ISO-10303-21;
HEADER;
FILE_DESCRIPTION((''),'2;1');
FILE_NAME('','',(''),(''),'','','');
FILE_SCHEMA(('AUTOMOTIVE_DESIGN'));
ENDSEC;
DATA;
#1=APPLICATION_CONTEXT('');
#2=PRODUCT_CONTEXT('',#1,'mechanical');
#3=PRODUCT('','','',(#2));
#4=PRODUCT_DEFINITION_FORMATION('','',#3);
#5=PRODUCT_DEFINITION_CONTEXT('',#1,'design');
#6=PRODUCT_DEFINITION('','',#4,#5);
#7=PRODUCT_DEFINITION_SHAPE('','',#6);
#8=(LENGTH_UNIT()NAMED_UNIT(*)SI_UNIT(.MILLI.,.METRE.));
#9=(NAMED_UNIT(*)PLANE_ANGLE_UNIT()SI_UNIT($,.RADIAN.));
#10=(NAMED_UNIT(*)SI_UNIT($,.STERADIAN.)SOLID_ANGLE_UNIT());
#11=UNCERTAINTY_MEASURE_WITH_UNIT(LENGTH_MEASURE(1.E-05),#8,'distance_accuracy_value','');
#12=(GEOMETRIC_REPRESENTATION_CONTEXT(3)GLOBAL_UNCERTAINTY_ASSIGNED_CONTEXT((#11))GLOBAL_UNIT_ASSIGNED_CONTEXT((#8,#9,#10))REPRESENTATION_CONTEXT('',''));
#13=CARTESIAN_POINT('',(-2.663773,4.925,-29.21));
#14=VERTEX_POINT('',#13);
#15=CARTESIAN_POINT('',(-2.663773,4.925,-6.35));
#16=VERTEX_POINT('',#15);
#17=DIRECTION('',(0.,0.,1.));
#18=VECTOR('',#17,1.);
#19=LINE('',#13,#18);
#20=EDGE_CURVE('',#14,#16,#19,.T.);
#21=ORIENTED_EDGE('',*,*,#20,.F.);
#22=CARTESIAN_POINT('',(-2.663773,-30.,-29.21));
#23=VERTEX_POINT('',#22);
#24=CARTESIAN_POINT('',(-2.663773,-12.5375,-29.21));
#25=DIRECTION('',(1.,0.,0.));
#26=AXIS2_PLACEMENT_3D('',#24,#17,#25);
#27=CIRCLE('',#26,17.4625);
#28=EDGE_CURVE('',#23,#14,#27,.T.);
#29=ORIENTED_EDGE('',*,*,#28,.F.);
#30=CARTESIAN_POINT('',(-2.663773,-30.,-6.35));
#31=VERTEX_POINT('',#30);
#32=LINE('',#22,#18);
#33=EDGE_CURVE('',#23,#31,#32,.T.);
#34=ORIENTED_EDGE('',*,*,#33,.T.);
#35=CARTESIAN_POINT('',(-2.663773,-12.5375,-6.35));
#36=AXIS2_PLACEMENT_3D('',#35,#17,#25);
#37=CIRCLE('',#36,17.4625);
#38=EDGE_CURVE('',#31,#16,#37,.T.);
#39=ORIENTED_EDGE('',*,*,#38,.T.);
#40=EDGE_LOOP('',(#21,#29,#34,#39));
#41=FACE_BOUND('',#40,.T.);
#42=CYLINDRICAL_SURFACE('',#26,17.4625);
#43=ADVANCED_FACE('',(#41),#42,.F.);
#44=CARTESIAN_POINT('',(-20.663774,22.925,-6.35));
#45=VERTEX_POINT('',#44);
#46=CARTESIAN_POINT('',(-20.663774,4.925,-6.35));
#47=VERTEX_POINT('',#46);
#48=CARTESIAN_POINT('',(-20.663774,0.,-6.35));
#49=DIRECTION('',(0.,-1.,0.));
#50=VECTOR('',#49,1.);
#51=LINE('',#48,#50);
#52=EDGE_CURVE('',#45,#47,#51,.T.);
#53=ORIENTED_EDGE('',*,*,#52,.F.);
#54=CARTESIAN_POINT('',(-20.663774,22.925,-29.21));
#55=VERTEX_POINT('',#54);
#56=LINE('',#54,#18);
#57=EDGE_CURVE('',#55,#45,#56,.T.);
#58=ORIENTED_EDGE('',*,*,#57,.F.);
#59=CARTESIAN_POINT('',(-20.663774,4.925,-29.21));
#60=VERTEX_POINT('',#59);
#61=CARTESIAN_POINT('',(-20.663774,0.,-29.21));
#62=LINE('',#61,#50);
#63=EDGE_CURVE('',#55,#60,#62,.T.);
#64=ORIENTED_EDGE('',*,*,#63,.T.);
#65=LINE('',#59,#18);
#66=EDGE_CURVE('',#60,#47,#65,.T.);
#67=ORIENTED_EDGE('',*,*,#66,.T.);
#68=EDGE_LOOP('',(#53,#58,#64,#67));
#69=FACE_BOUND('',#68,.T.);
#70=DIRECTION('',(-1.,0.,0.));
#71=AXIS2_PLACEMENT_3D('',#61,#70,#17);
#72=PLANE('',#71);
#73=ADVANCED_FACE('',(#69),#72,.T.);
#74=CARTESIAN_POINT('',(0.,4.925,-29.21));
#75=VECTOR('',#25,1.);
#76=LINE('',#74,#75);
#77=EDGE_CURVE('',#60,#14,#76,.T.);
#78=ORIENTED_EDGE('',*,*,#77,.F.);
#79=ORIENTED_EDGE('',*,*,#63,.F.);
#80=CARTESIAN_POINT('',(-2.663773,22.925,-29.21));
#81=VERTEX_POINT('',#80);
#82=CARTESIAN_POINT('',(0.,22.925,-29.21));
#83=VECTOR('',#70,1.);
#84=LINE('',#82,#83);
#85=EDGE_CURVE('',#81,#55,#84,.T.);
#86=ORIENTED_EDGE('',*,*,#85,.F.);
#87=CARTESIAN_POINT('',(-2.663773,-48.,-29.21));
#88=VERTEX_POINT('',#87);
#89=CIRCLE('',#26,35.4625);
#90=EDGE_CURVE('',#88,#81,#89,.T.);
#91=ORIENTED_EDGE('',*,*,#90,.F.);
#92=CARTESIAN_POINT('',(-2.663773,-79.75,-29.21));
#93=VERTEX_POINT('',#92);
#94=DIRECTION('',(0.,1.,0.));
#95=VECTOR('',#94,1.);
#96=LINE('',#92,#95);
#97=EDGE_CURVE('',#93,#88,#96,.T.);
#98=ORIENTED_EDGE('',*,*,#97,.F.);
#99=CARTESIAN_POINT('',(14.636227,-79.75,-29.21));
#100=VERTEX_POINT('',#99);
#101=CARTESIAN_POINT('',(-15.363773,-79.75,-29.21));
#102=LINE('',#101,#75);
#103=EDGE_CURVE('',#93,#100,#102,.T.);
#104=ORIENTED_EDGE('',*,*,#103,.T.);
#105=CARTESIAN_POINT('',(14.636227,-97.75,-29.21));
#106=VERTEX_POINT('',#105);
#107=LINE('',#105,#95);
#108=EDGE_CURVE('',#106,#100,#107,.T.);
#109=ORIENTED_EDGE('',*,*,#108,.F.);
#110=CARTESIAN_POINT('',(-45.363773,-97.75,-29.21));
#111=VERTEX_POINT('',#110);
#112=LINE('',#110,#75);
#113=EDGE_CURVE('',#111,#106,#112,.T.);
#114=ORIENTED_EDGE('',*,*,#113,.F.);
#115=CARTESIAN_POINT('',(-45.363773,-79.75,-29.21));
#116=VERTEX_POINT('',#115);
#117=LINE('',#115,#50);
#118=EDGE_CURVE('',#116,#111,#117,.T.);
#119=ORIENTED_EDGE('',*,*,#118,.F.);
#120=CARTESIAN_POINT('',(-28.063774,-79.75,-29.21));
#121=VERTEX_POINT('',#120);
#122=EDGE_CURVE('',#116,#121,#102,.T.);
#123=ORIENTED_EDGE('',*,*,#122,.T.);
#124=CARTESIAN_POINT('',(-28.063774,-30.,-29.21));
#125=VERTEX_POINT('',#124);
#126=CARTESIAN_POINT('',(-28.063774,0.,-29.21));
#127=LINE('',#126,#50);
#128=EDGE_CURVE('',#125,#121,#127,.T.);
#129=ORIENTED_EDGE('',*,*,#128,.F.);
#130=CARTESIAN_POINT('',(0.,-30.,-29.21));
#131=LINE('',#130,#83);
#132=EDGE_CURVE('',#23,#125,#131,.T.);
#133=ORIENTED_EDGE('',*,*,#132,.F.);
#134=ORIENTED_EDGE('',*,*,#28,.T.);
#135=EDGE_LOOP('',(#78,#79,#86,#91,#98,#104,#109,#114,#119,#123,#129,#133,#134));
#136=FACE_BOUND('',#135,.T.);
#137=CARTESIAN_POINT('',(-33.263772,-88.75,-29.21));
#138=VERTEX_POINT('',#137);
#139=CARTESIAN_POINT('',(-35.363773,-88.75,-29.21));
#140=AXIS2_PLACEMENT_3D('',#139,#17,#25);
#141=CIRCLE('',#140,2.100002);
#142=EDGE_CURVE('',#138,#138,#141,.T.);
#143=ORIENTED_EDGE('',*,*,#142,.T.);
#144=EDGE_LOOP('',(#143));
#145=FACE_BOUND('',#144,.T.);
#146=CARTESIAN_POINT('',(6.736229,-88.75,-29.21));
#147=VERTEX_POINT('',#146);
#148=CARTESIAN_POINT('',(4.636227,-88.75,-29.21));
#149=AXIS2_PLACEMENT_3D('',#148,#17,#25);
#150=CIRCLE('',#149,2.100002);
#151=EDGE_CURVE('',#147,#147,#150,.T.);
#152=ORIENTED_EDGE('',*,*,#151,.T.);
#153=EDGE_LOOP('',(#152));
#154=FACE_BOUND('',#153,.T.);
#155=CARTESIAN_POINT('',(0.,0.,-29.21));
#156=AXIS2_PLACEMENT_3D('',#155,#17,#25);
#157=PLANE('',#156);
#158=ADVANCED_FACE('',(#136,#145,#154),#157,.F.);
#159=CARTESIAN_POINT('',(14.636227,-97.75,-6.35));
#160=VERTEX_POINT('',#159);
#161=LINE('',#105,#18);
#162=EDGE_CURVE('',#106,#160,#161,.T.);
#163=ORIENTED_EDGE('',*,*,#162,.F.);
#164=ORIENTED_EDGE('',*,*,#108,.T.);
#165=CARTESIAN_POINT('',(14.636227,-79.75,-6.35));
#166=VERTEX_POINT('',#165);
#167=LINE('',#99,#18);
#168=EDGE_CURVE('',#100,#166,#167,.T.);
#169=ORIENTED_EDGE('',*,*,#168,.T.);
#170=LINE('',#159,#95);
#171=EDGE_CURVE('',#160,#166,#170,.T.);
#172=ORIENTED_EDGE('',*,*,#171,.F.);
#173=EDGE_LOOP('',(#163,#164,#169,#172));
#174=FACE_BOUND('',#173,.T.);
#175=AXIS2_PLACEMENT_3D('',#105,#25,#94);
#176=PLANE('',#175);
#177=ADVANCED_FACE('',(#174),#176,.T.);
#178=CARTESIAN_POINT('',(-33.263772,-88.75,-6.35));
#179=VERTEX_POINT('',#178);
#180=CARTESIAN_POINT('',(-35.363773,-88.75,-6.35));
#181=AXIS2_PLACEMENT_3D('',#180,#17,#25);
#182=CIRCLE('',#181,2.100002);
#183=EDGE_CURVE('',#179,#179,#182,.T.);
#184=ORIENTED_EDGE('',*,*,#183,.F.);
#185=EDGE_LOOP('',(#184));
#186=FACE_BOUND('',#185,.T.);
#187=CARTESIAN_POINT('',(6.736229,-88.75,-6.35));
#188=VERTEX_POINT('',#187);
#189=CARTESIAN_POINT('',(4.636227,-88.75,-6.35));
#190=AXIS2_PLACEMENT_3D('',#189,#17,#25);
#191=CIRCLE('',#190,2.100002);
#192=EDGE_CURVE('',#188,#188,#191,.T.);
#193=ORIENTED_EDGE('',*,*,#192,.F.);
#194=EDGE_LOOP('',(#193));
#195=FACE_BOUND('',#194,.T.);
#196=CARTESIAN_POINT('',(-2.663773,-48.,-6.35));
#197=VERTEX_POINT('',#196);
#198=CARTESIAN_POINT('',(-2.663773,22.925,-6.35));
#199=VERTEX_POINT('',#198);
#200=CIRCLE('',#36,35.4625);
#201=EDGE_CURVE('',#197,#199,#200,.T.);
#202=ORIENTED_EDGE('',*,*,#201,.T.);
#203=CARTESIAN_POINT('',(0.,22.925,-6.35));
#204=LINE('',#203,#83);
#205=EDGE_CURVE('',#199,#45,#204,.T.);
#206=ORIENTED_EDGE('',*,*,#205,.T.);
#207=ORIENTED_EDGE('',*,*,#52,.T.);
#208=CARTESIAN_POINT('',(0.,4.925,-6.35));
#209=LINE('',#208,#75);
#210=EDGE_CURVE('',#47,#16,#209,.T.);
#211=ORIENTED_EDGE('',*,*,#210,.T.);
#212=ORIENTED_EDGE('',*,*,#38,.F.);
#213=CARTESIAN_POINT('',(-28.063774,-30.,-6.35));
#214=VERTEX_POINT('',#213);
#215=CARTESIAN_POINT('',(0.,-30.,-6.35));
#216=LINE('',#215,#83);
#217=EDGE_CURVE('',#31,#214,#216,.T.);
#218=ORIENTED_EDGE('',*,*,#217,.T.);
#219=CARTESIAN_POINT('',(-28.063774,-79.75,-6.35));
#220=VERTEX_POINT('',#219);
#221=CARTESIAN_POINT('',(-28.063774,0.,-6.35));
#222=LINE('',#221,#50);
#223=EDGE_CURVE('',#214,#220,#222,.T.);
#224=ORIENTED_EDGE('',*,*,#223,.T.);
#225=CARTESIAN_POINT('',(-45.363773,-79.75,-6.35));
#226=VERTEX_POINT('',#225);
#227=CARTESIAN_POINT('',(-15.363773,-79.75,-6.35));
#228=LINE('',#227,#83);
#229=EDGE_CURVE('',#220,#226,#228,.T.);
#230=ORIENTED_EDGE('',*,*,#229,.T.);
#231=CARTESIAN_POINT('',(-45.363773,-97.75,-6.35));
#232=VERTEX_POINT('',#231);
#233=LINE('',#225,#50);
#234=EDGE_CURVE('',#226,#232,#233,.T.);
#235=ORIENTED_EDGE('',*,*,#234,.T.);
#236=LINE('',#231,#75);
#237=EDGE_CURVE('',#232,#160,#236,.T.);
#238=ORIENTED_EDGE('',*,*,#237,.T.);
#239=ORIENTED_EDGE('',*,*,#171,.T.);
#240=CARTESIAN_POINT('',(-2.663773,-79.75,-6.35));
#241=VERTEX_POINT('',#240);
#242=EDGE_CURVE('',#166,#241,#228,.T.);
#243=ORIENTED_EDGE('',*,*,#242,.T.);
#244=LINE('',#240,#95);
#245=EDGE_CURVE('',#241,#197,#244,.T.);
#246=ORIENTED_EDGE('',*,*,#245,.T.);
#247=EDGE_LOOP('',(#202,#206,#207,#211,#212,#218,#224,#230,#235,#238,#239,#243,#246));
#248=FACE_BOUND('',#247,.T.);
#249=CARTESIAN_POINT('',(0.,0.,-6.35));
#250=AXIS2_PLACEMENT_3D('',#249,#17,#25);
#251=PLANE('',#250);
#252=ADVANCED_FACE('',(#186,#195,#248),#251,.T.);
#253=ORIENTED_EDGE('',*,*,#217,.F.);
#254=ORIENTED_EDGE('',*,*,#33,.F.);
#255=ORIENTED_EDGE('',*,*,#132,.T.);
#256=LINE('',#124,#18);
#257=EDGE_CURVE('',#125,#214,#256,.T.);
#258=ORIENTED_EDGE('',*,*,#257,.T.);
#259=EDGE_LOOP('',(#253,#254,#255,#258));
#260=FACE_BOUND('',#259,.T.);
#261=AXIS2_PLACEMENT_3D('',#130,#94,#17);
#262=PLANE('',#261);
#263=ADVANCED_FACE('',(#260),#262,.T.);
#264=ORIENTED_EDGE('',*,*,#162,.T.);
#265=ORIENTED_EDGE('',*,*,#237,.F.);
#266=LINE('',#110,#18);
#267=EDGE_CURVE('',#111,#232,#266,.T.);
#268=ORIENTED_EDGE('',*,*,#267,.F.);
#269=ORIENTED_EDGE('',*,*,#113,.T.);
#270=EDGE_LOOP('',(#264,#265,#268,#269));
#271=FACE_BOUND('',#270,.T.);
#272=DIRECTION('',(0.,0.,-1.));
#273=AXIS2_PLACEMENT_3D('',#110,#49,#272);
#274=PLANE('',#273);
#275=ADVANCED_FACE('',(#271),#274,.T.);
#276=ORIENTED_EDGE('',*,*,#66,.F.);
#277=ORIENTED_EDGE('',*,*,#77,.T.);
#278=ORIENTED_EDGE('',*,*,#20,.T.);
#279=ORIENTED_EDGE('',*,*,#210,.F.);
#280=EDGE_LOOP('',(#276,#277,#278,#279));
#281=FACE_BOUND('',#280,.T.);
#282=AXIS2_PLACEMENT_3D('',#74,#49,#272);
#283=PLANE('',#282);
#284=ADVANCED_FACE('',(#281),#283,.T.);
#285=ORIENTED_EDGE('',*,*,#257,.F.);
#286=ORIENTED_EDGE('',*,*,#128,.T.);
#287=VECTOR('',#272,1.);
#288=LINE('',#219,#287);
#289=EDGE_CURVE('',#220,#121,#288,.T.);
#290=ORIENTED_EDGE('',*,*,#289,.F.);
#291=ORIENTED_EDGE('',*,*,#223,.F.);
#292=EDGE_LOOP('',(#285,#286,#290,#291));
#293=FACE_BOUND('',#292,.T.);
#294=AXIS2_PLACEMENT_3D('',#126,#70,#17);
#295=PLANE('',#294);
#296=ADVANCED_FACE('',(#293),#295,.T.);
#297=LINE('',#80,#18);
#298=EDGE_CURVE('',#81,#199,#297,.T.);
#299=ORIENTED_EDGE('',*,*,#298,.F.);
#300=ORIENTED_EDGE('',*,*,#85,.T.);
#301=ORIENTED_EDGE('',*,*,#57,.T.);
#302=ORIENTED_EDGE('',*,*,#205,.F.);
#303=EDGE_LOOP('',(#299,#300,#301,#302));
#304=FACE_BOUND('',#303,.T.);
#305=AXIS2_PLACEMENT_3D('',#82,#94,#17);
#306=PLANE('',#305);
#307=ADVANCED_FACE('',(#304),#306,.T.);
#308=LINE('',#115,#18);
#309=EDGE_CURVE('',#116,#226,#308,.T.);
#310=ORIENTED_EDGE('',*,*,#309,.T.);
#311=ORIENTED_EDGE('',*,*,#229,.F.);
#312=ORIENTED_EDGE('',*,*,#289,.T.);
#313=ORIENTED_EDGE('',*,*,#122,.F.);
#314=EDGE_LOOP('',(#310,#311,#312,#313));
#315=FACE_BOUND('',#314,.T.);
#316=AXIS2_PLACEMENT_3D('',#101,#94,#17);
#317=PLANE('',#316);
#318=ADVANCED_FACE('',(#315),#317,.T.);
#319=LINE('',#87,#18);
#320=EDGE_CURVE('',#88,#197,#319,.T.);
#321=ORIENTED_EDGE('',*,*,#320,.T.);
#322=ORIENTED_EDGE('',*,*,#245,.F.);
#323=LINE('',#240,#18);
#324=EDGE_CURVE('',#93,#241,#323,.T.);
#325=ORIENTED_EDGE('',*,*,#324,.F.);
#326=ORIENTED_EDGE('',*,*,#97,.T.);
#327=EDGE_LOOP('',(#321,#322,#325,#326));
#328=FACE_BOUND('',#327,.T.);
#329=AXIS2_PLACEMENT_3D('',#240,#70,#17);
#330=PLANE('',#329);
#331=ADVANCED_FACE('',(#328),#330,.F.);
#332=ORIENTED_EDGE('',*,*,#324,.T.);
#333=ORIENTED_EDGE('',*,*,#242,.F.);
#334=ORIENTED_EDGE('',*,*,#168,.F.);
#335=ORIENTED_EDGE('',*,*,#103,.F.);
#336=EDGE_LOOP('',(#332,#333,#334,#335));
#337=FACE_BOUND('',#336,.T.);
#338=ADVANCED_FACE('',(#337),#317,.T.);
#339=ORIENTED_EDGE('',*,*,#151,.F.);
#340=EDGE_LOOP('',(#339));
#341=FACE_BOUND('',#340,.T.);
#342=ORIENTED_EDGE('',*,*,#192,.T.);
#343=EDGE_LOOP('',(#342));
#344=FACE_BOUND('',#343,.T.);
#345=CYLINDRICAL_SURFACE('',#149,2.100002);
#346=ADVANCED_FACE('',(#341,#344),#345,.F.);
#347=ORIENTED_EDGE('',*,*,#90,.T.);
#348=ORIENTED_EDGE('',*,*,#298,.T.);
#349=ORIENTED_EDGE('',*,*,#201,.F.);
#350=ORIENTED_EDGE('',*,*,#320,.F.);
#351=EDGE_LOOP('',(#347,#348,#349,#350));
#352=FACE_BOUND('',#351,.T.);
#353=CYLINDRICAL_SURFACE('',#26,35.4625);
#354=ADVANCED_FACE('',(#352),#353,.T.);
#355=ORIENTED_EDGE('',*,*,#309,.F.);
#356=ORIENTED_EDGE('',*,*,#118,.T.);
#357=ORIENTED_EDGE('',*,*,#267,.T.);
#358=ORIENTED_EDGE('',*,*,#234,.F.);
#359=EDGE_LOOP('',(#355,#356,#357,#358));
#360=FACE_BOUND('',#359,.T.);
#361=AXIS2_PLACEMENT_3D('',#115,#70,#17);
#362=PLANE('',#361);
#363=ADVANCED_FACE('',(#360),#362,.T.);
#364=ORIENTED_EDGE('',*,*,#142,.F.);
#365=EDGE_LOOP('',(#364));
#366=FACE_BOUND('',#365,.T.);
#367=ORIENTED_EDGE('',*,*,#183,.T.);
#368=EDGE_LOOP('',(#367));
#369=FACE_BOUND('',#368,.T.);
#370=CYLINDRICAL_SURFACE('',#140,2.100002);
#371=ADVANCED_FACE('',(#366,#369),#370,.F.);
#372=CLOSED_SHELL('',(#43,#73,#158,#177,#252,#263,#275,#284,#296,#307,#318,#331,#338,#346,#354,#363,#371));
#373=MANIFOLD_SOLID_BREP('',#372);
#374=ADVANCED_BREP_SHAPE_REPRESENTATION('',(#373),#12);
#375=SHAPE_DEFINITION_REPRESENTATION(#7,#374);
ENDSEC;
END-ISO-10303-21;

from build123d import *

# Parameters (mm, degrees)
BOSS_EXTRUDE1_DEPTH = 22.86
SKETCH4_W           = 25.40000152
SKETCH4_H           = 22.86
BOSS_EXTRUDE2_DEPTH = 31.75
BOSS_EXTRUDE3_DEPTH = 22.86
SKETCH6_R           = 2.100001769
CUT_EXTRUDE1_DEPTH  = 22.86


with BuildPart() as part:
    # Sketch3 → Boss-Extrude1 (new body)
    with BuildSketch(Plane.XY.offset(-6.35)):
        with BuildLine():
            Line((-28.0637741, -48), (-2.66377258, -48))
            ThreePointArc((-2.66377258, -48), (32.79872742, -12.5375), (-2.66377258, 22.925))
            Line((-2.66377258, 22.925), (-20.6637745, 22.925))
            Line((-20.6637745, 22.925), (-20.6637745, 4.925))
            Line((-20.6637745, 4.925), (-2.66377258, 4.925))
            ThreePointArc((-2.66377258, 4.925), (14.79872742, -12.5375), (-2.66377258, -30))
            Line((-2.66377258, -30), (-28.0637741, -30))
            Line((-28.0637741, -30), (-28.0637741, -48))
        make_face()
    extrude(amount=-BOSS_EXTRUDE1_DEPTH)

    # Sketch4 → Boss-Extrude2 (add)
    with BuildSketch(Plane.XZ.offset(48)):
        with Locations((-15.36377334, -17.78)):
            Rectangle(SKETCH4_W, SKETCH4_H)
    extrude(amount=BOSS_EXTRUDE2_DEPTH)

    # Sketch5 → Boss-Extrude3 (add)
    with BuildSketch(Plane.XY.offset(-6.35)):
        Polygon((-15.36377334, -79.75), (14.636226604, -79.75), (14.636226604, -97.750000068), (-45.363773284, -97.750000068), (-45.363773284, -79.75), align=None)
    extrude(amount=-BOSS_EXTRUDE3_DEPTH)

    # Sketch6 → Cut-Extrude1 (cut)
    with BuildSketch(Plane.XY.offset(-6.35)):
        with Locations((-35.363773472, -88.750000034)):
            Circle(SKETCH6_R)
        with Locations((4.636226792, -88.750000034)):
            Circle(SKETCH6_R)
    extrude(amount=-CUT_EXTRUDE1_DEPTH, mode=Mode.SUBTRACT)


solid = part.part
